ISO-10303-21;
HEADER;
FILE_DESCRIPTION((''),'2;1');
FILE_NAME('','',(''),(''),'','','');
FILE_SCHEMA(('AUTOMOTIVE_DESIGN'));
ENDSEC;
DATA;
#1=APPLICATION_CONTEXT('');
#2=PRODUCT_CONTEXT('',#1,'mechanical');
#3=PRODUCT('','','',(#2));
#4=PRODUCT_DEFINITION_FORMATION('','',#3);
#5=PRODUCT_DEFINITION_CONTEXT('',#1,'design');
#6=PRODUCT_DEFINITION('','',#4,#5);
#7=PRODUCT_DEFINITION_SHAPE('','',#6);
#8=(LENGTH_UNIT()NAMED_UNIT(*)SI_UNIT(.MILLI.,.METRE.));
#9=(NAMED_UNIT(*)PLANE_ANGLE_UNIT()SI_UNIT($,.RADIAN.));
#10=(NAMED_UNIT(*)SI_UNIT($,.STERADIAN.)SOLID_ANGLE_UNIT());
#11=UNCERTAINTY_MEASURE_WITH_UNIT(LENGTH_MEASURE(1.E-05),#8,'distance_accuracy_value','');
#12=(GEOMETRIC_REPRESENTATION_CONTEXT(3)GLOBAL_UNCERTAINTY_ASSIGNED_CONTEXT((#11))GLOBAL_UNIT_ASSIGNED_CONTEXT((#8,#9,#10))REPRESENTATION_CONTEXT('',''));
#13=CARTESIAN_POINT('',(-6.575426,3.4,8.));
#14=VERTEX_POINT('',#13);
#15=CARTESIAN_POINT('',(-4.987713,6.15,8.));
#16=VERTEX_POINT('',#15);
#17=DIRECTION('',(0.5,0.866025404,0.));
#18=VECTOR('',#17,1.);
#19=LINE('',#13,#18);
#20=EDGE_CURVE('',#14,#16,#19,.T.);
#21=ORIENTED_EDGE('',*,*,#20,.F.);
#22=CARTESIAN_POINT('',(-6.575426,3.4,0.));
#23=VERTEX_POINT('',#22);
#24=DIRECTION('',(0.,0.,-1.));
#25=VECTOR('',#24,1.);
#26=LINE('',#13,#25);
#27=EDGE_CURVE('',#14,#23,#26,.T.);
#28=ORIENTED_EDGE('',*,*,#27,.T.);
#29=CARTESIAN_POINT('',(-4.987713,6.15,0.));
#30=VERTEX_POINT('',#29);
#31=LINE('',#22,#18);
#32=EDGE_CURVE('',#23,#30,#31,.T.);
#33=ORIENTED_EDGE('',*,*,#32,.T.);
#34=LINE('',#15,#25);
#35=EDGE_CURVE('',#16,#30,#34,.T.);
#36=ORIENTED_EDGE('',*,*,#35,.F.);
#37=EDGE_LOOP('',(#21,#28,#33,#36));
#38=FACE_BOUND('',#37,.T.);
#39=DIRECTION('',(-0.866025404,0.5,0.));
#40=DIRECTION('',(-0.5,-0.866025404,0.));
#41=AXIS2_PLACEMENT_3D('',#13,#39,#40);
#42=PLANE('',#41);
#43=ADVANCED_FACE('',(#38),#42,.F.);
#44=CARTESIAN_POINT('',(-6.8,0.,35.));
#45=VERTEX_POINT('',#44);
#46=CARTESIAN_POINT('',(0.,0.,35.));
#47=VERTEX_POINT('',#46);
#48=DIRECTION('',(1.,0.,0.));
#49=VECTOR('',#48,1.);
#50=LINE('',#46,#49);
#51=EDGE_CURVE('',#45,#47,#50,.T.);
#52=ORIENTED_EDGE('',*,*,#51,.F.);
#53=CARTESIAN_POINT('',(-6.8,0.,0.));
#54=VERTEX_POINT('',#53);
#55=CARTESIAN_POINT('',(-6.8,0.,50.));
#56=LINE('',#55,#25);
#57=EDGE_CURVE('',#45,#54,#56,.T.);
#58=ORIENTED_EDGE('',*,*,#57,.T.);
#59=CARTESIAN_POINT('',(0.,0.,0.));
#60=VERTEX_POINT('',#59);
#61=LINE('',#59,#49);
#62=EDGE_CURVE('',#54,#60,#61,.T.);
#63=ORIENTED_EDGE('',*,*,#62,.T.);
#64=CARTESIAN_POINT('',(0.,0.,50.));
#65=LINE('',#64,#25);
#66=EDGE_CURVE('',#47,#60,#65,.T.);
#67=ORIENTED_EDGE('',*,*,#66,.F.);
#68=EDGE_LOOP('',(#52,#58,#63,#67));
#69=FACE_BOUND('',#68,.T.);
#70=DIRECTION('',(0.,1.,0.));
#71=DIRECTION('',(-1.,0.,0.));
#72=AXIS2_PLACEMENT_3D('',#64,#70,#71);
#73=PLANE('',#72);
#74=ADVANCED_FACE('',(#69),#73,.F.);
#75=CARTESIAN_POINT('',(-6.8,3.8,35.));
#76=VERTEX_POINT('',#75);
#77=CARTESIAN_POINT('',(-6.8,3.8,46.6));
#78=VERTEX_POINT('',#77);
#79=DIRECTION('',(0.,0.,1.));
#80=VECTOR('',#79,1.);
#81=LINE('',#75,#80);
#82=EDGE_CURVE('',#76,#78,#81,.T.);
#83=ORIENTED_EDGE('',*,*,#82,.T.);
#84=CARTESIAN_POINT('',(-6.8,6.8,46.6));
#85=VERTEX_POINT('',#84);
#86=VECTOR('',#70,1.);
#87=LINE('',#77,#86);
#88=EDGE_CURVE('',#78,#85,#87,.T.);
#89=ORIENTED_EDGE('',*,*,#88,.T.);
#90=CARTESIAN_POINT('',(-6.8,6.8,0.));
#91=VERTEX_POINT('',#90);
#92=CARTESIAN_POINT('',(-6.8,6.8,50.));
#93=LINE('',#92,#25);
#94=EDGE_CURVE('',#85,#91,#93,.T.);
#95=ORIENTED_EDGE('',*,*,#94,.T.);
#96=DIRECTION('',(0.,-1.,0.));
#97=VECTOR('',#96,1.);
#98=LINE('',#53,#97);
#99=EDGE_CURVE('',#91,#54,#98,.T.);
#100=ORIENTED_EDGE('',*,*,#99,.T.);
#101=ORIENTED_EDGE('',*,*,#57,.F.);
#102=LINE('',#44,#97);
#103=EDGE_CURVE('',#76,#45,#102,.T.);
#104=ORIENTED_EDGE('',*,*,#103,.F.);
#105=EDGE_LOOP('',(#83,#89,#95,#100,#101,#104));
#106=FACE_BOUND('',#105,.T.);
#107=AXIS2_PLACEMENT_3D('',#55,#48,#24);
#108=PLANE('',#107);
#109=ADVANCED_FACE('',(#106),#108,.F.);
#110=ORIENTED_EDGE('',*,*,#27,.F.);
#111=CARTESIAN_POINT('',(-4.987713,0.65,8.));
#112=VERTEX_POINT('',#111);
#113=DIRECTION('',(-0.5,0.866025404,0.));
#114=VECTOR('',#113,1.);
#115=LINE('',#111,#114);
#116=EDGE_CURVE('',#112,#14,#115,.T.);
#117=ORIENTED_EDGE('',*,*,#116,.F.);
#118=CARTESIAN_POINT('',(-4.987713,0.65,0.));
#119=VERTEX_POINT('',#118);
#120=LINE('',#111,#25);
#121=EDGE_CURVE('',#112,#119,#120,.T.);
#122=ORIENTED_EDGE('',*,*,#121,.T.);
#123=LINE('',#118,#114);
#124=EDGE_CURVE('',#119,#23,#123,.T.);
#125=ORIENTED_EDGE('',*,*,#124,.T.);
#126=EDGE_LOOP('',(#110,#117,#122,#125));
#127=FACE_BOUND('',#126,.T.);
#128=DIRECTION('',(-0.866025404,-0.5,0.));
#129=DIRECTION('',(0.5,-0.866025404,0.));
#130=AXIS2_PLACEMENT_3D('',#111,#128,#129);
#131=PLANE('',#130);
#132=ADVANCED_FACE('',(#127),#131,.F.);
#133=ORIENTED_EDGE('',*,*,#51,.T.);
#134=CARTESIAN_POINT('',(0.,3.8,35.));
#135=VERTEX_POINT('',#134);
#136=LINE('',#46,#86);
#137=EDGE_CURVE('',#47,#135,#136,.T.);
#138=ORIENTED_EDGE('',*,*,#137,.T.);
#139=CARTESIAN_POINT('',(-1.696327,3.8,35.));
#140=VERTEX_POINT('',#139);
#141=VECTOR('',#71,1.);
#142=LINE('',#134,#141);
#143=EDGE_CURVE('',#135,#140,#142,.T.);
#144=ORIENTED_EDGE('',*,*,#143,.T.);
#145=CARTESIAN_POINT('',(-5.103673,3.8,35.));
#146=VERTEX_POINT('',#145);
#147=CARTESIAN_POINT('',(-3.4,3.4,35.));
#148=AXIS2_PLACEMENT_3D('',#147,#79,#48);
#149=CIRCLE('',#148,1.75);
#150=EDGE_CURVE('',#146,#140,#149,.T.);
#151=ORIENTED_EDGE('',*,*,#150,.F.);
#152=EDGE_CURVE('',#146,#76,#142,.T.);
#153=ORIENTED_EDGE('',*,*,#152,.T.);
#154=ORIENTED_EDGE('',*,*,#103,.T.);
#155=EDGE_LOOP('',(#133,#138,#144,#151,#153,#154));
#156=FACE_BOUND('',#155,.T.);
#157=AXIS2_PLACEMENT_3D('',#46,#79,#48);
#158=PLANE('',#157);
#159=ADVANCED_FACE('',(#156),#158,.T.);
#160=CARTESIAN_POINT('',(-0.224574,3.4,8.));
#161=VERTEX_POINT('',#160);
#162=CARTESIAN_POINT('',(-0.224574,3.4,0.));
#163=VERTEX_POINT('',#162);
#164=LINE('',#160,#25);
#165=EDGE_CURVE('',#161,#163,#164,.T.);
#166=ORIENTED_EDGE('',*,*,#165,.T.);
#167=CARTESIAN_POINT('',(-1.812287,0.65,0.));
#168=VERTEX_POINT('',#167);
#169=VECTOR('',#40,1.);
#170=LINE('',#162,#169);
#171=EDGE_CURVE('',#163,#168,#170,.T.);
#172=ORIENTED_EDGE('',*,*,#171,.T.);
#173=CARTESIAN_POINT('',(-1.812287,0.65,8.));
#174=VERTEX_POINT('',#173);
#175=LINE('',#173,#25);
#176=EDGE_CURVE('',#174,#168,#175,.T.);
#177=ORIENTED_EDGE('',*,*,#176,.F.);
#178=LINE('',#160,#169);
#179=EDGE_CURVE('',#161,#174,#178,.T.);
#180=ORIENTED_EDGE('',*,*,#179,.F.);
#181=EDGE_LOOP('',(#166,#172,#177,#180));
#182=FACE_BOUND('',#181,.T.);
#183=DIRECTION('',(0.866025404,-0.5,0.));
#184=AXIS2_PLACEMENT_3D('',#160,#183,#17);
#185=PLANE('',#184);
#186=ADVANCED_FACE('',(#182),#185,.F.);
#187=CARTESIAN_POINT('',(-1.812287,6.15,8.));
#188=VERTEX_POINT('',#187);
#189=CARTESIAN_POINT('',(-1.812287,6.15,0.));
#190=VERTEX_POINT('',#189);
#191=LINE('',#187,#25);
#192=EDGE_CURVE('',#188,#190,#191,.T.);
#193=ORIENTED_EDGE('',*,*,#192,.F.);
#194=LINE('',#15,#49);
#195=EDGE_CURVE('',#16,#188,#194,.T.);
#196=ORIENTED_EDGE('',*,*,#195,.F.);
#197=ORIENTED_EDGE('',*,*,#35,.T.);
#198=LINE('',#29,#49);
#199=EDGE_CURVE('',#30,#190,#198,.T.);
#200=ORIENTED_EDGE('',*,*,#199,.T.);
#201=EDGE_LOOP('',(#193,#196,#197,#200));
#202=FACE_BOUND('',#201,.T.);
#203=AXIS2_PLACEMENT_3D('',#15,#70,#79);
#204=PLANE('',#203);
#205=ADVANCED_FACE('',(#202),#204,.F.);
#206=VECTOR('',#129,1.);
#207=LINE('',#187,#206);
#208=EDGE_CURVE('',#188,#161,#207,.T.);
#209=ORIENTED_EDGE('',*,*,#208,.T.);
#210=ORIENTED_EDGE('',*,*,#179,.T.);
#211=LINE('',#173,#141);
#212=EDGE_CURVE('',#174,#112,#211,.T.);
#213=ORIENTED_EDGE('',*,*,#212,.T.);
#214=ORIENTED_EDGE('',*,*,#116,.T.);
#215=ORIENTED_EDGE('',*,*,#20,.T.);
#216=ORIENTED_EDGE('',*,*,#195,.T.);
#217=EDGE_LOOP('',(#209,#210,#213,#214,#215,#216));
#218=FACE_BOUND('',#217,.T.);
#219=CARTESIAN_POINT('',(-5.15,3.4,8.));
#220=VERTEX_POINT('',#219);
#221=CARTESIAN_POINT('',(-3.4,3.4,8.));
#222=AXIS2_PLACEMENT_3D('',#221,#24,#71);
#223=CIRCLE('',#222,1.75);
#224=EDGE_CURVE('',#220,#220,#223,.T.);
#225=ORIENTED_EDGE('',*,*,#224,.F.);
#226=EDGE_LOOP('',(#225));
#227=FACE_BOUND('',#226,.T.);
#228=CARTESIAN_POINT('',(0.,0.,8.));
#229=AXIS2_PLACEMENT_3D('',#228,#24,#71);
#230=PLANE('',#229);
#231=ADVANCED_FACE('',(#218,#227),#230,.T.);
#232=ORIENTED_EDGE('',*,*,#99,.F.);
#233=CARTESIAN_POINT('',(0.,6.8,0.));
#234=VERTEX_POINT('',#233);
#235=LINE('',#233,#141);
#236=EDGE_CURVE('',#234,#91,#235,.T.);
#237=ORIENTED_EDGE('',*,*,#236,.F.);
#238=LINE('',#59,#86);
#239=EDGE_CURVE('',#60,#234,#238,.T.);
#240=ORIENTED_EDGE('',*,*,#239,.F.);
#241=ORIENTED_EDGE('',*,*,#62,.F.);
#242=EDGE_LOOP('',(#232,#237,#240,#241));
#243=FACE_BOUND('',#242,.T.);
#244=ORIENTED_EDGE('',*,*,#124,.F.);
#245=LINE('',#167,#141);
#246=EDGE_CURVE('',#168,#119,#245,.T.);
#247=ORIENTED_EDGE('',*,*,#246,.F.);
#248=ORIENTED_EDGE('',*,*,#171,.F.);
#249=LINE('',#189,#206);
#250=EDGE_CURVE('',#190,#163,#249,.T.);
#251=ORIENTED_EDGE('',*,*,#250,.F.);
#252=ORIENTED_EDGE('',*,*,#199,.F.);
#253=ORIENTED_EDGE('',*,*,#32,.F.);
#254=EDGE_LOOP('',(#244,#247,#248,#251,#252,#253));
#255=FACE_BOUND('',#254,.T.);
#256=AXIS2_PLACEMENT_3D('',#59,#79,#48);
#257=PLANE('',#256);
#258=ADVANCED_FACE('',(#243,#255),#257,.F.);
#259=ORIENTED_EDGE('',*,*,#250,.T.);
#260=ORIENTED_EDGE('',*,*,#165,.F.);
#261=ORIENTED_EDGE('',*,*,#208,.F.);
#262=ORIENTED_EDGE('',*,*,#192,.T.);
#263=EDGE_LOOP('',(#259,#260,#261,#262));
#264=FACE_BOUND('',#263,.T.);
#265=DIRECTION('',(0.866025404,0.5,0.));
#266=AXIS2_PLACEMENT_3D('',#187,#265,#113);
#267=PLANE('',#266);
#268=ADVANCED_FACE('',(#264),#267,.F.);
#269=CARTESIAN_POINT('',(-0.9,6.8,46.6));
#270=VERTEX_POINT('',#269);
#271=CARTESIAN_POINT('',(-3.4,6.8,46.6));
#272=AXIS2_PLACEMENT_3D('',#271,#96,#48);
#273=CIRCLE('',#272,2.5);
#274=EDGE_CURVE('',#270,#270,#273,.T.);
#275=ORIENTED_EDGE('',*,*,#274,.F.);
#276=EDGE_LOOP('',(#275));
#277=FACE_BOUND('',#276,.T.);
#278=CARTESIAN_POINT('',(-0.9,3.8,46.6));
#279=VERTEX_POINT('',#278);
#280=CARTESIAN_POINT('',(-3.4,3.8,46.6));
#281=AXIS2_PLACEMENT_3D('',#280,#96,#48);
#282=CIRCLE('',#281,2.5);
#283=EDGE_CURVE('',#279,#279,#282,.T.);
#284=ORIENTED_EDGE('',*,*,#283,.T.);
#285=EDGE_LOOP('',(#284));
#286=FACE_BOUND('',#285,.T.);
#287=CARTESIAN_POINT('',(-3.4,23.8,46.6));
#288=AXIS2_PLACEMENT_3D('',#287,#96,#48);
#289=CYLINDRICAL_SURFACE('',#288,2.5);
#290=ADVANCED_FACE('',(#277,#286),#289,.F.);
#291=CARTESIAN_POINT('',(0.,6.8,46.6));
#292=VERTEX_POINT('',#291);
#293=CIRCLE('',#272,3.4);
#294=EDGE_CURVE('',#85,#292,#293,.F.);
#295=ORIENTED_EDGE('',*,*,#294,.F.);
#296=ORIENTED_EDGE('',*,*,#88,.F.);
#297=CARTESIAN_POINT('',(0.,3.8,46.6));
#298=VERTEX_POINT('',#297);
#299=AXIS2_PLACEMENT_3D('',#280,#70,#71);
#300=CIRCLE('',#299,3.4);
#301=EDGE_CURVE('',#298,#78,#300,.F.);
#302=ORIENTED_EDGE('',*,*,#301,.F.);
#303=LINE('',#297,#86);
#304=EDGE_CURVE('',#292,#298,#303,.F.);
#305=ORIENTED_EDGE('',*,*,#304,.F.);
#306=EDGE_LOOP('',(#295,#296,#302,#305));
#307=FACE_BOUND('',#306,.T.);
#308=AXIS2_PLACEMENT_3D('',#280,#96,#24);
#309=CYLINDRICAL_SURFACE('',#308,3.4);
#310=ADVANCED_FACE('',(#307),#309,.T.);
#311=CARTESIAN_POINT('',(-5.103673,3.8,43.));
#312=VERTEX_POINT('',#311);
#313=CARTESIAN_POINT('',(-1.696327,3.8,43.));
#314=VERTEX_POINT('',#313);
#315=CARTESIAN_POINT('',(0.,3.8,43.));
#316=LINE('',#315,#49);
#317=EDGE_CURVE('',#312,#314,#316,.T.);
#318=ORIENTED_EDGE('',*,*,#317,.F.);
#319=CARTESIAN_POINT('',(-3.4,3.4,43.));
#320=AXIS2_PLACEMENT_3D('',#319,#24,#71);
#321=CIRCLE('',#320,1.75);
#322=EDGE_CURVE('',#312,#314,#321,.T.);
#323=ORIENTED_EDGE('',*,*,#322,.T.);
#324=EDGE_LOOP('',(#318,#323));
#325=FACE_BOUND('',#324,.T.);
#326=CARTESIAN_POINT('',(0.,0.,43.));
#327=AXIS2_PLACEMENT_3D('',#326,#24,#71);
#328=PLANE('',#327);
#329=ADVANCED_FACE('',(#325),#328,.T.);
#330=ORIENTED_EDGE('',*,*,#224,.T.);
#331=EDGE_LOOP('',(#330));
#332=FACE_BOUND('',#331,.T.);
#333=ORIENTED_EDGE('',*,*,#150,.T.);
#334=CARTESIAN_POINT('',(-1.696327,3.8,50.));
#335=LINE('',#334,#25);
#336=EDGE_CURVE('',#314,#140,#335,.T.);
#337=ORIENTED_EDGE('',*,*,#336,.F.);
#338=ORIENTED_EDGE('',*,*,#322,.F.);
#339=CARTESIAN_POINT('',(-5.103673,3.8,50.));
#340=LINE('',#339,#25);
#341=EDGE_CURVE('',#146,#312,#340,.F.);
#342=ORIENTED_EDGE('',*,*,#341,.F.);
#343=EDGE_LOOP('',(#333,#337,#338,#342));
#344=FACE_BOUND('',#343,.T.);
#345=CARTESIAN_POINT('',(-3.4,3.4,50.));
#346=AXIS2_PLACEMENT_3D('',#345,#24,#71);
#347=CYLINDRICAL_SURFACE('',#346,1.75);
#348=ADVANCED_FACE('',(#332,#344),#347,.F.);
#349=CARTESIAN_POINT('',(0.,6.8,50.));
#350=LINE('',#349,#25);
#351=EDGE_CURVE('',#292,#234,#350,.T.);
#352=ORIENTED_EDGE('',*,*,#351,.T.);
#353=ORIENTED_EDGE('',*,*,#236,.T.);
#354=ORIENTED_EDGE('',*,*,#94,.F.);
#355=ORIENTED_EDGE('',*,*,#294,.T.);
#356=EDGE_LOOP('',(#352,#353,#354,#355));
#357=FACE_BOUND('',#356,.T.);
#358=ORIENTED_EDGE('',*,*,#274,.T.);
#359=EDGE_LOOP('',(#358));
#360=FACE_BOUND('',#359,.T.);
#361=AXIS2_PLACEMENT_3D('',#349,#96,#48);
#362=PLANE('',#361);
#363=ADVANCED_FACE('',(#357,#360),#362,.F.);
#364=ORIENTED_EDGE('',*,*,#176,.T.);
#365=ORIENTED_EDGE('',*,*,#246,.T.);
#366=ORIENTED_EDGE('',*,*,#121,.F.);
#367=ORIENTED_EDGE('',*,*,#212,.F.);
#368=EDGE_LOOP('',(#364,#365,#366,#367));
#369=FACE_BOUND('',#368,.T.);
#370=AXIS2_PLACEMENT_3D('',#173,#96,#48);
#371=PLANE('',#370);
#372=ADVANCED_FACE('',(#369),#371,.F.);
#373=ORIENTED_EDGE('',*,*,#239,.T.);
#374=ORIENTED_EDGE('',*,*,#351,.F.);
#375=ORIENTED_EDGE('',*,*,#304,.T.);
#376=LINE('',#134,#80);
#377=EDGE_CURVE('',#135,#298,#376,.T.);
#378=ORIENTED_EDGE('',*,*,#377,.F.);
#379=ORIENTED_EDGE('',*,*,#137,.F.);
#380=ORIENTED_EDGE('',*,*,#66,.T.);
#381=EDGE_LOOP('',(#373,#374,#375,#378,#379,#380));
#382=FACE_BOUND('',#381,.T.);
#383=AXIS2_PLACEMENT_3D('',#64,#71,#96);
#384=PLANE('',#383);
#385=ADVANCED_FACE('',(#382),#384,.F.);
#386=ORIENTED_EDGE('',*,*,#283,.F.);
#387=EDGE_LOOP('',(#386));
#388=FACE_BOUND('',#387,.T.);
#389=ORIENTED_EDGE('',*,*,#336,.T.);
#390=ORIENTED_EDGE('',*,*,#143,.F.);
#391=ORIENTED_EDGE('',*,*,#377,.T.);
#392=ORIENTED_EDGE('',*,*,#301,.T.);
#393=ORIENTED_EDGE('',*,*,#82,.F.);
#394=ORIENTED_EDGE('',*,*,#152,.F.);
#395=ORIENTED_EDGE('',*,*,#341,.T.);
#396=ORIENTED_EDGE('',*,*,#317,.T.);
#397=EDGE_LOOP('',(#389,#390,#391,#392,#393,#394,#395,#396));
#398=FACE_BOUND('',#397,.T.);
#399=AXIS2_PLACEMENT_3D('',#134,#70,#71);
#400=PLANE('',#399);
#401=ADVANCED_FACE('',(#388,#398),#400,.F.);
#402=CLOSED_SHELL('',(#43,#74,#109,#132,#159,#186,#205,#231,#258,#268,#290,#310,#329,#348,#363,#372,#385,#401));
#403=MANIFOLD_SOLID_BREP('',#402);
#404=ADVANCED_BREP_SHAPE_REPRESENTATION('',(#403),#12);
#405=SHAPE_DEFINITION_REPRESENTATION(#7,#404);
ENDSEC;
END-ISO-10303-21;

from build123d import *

# Parameters (mm, degrees)
SKETCH1_W           = 6.8
SKETCH1_H           = 6.8
SKETCH1_R           = 1.75
BOSS_EXTRUDE1_DEPTH = 50
CUT_EXTRUDE1_DEPTH  = 8
SKETCH5_W           = 6.8
SKETCH5_H           = 6.8
BOSS_EXTRUDE2_DEPTH = 7
SKETCH3_W           = 6.8
SKETCH3_H           = 3.8
CUT_EXTRUDE2_DEPTH  = 15
SKETCH4_R           = 2.5
CUT_EXTRUDE3_DEPTH  = 20
FILLET3_RADIUS      = 3.4
FILLET3_LENGTH      = 3


with BuildPart() as part:
    # Sketch1 → Boss-Extrude1 (new body)
    with BuildSketch(Plane.XY):
        with Locations((-3.4, 3.4)):
            Rectangle(SKETCH1_W, SKETCH1_H)
        with Locations((-3.4, 3.4)):
            Circle(SKETCH1_R, mode=Mode.SUBTRACT)
    extrude(amount=BOSS_EXTRUDE1_DEPTH)

    # Sketch2 → Cut-Extrude1 (cut)
    with BuildSketch(Plane(origin=(0, 0, 0), x_dir=(-1, 0, 0), z_dir=(0, 0, -1))):
        Polygon((6.575426481, 3.4), (4.98771324, 6.15), (1.81228676, 6.15), (0.224573519, 3.4), (1.81228676, 0.65), (4.98771324, 0.65), align=None)
    extrude(amount=-CUT_EXTRUDE1_DEPTH, mode=Mode.SUBTRACT)

    # Sketch5 → Boss-Extrude2 (add)
    with BuildSketch(Plane.XY.offset(50)):
        with Locations((-3.4, 3.4)):
            Rectangle(SKETCH5_W, SKETCH5_H)
    extrude(amount=-BOSS_EXTRUDE2_DEPTH)

    # Sketch3 → Cut-Extrude2 (cut)
    with BuildSketch(Plane.XY.offset(50)):
        with Locations((-3.4, 1.9)):
            Rectangle(SKETCH3_W, SKETCH3_H)
    extrude(amount=-CUT_EXTRUDE2_DEPTH, mode=Mode.SUBTRACT)

    # Sketch4 → Cut-Extrude3 (cut)
    with BuildSketch(Plane.XZ.offset(-3.8)):
        with Locations((-3.4, 46.6)):
            Circle(SKETCH4_R)
    extrude(amount=-CUT_EXTRUDE3_DEPTH, mode=Mode.SUBTRACT)

    # Fillet3: full round fillet: the end face becomes a half cylinder, R = half its width
    fillet3_face = Plane((-3.4, 5.3, 50), x_dir=(0, -1, 0), z_dir=(0, 0, 1))  # on the end face: x along it, z out of the body
    fillet3_slab = fillet3_face.offset(-FILLET3_RADIUS / 2) * Box(FILLET3_LENGTH, 2 * FILLET3_RADIUS, FILLET3_RADIUS, mode=Mode.PRIVATE)  # the body's end, R deep
    fillet3_round = Plane((-3.4, 5.3, 46.6), x_dir=(0, 0, 1), z_dir=(0, -1, 0)) * Cylinder(FILLET3_RADIUS, FILLET3_LENGTH, mode=Mode.PRIVATE)  # its axis R under the face
    add(fillet3_slab - fillet3_round, mode=Mode.SUBTRACT)


solid = part.part
